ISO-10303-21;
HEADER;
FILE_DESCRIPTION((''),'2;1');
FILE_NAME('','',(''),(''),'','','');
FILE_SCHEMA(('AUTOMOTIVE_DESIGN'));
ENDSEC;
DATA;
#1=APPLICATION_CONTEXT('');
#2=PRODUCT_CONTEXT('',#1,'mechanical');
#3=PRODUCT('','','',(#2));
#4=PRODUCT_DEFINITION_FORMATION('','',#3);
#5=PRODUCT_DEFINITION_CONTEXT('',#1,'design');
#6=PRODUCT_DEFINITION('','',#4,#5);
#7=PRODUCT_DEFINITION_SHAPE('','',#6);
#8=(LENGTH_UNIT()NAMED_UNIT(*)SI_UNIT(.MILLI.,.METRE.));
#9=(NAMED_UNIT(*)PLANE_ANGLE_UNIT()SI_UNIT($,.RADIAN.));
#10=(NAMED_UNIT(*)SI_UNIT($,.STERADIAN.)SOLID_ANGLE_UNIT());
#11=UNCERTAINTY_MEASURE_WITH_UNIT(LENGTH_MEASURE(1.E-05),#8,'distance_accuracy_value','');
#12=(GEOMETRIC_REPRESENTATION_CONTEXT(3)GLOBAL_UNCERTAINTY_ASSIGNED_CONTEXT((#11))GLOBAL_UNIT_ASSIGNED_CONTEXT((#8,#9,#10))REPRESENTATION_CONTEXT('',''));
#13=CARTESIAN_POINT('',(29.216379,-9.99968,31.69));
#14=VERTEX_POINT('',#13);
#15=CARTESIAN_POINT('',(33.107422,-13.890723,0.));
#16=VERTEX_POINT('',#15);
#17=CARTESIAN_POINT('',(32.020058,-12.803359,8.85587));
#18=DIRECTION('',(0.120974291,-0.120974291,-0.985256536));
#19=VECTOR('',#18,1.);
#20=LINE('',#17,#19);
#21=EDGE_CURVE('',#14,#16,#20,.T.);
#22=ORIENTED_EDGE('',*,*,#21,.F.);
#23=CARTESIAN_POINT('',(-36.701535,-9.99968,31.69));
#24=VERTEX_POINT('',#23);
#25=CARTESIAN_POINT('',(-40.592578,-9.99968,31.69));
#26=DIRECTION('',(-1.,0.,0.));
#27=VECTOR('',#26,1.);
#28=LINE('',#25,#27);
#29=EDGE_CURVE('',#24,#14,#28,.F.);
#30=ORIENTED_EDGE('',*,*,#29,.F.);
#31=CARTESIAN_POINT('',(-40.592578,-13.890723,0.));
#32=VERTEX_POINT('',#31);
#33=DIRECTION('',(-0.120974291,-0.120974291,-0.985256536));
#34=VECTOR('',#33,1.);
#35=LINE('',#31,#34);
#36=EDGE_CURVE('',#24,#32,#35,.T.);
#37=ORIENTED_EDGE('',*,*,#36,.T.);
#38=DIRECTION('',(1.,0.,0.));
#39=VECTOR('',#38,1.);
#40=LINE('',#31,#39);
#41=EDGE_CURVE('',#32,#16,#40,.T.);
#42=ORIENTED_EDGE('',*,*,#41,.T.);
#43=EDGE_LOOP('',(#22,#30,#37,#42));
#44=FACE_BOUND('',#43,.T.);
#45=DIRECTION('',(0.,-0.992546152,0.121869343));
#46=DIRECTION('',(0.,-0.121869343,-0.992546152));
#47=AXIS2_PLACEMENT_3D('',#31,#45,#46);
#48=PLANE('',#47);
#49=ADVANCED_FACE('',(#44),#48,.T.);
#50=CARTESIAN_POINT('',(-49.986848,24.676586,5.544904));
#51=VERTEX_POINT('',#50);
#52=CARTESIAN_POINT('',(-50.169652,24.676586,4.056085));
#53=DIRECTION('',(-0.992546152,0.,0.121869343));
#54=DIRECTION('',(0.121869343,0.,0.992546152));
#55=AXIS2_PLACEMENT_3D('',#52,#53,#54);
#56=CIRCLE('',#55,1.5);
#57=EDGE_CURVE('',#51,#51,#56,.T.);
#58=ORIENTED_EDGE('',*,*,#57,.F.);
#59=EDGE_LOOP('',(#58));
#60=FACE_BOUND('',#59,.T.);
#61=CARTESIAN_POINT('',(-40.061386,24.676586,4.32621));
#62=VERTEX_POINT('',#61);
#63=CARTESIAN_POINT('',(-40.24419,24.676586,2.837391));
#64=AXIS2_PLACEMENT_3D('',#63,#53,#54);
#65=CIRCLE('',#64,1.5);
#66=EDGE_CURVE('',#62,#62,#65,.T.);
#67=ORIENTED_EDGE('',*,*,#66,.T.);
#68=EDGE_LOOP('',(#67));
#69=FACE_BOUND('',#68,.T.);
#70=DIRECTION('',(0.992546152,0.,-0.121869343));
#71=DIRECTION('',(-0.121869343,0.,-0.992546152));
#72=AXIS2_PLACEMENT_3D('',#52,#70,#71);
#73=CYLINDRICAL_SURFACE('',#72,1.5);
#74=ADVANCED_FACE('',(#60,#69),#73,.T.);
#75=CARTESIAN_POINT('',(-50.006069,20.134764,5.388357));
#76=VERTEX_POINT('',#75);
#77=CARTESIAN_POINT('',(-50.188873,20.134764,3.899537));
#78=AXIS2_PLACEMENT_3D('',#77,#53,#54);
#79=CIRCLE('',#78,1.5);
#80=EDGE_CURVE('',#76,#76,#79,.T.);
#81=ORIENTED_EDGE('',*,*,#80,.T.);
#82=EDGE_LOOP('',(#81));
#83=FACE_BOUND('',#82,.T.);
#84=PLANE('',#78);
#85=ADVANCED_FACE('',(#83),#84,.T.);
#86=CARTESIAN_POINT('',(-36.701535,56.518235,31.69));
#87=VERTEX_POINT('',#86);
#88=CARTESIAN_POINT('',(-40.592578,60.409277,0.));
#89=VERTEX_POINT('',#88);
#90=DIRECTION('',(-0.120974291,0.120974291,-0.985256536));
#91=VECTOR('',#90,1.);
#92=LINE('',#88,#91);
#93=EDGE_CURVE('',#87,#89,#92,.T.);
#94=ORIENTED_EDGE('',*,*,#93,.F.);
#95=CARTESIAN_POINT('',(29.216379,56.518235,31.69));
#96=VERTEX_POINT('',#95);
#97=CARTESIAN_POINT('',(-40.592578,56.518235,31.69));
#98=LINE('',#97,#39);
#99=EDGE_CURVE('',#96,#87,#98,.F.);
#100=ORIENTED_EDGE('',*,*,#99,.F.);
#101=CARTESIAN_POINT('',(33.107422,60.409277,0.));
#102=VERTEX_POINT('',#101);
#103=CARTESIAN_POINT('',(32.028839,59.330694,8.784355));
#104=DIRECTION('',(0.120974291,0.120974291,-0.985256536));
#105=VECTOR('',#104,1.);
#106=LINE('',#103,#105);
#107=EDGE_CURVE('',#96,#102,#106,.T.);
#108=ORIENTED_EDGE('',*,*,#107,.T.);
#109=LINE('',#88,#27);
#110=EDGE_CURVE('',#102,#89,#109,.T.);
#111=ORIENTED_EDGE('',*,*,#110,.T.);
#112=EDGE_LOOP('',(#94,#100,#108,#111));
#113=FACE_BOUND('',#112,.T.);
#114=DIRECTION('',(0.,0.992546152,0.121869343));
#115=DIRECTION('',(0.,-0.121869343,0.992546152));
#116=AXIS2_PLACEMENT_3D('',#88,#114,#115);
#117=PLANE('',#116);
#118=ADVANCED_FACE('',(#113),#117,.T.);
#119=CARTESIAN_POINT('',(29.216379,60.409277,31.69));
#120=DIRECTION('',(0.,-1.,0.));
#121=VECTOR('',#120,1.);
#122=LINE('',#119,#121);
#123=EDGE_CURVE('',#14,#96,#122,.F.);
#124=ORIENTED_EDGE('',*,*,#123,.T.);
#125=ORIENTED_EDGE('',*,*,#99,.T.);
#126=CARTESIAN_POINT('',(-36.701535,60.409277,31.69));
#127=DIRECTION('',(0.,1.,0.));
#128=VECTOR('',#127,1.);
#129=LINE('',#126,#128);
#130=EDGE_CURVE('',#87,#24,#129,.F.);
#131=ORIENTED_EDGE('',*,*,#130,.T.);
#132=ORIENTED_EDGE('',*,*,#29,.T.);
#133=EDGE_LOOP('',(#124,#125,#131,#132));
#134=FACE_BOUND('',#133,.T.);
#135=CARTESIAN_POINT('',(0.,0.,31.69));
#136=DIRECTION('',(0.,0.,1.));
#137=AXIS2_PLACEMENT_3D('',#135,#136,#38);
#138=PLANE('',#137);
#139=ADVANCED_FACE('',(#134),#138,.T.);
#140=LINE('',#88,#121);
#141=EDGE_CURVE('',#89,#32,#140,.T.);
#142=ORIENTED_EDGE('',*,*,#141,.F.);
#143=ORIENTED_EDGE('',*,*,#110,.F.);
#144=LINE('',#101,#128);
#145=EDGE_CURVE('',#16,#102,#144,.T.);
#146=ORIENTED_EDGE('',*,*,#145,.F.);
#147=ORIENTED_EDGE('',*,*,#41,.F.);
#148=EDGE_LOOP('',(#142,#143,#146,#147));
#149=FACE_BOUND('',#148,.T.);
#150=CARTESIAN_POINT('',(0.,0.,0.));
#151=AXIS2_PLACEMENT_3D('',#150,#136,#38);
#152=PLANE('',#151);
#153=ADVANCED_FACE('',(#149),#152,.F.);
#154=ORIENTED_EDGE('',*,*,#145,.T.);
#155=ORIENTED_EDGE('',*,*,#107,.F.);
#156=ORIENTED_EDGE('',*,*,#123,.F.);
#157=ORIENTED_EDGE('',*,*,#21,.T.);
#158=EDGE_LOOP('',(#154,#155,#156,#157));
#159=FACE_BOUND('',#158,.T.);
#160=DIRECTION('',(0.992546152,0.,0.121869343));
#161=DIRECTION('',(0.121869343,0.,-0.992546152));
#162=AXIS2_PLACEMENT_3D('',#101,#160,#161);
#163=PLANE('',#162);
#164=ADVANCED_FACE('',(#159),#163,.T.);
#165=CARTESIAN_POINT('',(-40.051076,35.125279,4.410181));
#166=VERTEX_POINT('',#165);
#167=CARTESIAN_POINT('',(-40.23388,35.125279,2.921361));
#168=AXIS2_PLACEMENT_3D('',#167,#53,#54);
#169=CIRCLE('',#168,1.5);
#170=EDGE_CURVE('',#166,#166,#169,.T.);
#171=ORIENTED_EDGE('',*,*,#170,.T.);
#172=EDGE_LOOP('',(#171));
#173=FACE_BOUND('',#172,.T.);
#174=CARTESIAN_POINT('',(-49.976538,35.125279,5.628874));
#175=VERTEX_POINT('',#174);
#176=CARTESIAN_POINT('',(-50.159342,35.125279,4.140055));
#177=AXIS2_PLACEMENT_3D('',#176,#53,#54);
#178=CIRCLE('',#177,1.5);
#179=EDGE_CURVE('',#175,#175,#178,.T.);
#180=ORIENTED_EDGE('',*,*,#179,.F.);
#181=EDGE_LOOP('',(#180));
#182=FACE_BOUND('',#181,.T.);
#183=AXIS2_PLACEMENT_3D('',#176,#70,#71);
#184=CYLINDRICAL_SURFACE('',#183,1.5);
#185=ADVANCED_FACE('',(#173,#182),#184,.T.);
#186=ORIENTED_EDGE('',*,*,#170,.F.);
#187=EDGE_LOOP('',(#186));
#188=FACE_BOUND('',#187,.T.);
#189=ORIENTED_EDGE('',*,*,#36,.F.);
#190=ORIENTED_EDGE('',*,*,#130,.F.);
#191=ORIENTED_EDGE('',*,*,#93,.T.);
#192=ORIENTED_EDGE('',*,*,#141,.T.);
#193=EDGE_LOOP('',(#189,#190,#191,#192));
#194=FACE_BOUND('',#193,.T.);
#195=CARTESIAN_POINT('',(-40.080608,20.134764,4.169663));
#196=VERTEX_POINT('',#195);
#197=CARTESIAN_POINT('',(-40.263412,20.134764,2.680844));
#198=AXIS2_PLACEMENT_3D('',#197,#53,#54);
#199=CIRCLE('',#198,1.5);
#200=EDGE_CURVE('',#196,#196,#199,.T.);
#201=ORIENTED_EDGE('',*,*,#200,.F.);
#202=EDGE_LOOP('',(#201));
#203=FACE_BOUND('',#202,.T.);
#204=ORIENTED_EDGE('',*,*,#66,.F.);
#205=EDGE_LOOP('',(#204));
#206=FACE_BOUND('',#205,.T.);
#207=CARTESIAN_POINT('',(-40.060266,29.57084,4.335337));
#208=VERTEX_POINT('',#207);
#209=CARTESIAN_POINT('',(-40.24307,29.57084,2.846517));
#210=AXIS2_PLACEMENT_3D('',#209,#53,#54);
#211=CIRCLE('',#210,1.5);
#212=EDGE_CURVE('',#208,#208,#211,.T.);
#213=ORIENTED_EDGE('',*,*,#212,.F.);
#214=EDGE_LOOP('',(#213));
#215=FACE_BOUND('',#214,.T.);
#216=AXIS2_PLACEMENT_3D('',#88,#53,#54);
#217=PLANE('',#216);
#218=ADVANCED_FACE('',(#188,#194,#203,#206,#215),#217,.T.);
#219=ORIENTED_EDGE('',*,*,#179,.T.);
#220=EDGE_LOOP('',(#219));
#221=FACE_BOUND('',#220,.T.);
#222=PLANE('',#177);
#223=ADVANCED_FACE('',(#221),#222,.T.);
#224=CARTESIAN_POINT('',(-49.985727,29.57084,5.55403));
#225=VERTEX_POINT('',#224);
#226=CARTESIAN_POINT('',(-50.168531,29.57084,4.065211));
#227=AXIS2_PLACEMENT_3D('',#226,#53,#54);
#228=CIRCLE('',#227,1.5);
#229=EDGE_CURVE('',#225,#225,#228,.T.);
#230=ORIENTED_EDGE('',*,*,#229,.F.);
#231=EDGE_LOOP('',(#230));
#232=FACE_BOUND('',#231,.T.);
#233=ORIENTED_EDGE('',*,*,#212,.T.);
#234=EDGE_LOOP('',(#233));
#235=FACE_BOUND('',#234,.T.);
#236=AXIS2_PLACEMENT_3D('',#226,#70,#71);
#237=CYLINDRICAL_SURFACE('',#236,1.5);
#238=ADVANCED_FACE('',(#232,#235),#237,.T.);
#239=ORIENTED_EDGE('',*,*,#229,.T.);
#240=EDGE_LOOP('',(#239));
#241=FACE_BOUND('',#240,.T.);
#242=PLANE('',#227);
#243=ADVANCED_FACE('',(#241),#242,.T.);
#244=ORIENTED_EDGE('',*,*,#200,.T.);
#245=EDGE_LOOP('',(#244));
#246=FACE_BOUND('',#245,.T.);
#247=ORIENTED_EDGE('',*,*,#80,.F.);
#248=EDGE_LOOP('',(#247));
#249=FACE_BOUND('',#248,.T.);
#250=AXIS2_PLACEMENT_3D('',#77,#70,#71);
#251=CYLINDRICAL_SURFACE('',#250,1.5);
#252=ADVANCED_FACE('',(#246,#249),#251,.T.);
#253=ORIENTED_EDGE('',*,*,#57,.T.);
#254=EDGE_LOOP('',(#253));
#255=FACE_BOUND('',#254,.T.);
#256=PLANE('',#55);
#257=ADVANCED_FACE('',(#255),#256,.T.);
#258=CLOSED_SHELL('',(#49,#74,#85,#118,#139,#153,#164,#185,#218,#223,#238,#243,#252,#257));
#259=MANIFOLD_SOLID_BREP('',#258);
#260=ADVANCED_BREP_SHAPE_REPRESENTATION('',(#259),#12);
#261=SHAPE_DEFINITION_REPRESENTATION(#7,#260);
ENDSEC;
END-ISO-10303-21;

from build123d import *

# Parameters (mm, degrees)
SKETCH1_W           = 73.7
SKETCH1_H           = 74.3
BOSS_EXTRUDE1_DEPTH = 31.69
BOSS_EXTRUDE1_TAPER = 7
SKETCH2_R           = 1.5
BOSS_EXTRUDE2_DEPTH = 10
SKETCH3_R           = 1.5
BOSS_EXTRUDE3_DEPTH = 10
SKETCH4_R           = 1.5
BOSS_EXTRUDE4_DEPTH = 10
SKETCH5_R           = 1.5
BOSS_EXTRUDE5_DEPTH = 10


with BuildPart() as part:
    # Sketch1 → Boss-Extrude1 (new body)
    with BuildSketch(Plane.XY):
        with Locations((-3.742578125, 23.259277344)):
            Rectangle(SKETCH1_W, SKETCH1_H)
    extrude(amount=BOSS_EXTRUDE1_DEPTH, taper=BOSS_EXTRUDE1_TAPER)

    # Sketch2 → Boss-Extrude2 (add)
    with BuildSketch(Plane(origin=(-39.989691599, 0, 4.910116724), x_dir=(0.1218693434051475, 0, 0.992546151641322), z_dir=(-0.992546151641322, 0, 0.1218693434051475))):
        with Locations((-2.003690491, 35.125279491)):
            Circle(SKETCH2_R)
    extrude(amount=BOSS_EXTRUDE2_DEPTH)

    # Sketch3 → Boss-Extrude3 (add)
    with BuildSketch(Plane(origin=(-39.989691599, 0, 4.910116724), x_dir=(0.1218693434051475, 0, 0.992546151641322), z_dir=(-0.992546151641322, 0, 0.1218693434051475))):
        with Locations((-2.079096661, 29.570839743)):
            Circle(SKETCH3_R)
    extrude(amount=BOSS_EXTRUDE3_DEPTH)

    # Sketch4 → Boss-Extrude4 (add)
    with BuildSketch(Plane(origin=(-39.989691599, 0, 4.910116724), x_dir=(0.1218693434051475, 0, 0.992546151641322), z_dir=(-0.992546151641322, 0, 0.1218693434051475))):
        with Locations((-2.088291419, 24.676586011)):
            Circle(SKETCH4_R)
    extrude(amount=BOSS_EXTRUDE4_DEPTH)

    # Sketch5 → Boss-Extrude5 (add)
    with BuildSketch(Plane(origin=(-39.989691599, 0, 4.910116724), x_dir=(0.1218693434051475, 0, 0.992546151641322), z_dir=(-0.992546151641322, 0, 0.1218693434051475))):
        with Locations((-2.246014271, 20.134764101)):
            Circle(SKETCH5_R)
    extrude(amount=BOSS_EXTRUDE5_DEPTH)


solid = part.part
